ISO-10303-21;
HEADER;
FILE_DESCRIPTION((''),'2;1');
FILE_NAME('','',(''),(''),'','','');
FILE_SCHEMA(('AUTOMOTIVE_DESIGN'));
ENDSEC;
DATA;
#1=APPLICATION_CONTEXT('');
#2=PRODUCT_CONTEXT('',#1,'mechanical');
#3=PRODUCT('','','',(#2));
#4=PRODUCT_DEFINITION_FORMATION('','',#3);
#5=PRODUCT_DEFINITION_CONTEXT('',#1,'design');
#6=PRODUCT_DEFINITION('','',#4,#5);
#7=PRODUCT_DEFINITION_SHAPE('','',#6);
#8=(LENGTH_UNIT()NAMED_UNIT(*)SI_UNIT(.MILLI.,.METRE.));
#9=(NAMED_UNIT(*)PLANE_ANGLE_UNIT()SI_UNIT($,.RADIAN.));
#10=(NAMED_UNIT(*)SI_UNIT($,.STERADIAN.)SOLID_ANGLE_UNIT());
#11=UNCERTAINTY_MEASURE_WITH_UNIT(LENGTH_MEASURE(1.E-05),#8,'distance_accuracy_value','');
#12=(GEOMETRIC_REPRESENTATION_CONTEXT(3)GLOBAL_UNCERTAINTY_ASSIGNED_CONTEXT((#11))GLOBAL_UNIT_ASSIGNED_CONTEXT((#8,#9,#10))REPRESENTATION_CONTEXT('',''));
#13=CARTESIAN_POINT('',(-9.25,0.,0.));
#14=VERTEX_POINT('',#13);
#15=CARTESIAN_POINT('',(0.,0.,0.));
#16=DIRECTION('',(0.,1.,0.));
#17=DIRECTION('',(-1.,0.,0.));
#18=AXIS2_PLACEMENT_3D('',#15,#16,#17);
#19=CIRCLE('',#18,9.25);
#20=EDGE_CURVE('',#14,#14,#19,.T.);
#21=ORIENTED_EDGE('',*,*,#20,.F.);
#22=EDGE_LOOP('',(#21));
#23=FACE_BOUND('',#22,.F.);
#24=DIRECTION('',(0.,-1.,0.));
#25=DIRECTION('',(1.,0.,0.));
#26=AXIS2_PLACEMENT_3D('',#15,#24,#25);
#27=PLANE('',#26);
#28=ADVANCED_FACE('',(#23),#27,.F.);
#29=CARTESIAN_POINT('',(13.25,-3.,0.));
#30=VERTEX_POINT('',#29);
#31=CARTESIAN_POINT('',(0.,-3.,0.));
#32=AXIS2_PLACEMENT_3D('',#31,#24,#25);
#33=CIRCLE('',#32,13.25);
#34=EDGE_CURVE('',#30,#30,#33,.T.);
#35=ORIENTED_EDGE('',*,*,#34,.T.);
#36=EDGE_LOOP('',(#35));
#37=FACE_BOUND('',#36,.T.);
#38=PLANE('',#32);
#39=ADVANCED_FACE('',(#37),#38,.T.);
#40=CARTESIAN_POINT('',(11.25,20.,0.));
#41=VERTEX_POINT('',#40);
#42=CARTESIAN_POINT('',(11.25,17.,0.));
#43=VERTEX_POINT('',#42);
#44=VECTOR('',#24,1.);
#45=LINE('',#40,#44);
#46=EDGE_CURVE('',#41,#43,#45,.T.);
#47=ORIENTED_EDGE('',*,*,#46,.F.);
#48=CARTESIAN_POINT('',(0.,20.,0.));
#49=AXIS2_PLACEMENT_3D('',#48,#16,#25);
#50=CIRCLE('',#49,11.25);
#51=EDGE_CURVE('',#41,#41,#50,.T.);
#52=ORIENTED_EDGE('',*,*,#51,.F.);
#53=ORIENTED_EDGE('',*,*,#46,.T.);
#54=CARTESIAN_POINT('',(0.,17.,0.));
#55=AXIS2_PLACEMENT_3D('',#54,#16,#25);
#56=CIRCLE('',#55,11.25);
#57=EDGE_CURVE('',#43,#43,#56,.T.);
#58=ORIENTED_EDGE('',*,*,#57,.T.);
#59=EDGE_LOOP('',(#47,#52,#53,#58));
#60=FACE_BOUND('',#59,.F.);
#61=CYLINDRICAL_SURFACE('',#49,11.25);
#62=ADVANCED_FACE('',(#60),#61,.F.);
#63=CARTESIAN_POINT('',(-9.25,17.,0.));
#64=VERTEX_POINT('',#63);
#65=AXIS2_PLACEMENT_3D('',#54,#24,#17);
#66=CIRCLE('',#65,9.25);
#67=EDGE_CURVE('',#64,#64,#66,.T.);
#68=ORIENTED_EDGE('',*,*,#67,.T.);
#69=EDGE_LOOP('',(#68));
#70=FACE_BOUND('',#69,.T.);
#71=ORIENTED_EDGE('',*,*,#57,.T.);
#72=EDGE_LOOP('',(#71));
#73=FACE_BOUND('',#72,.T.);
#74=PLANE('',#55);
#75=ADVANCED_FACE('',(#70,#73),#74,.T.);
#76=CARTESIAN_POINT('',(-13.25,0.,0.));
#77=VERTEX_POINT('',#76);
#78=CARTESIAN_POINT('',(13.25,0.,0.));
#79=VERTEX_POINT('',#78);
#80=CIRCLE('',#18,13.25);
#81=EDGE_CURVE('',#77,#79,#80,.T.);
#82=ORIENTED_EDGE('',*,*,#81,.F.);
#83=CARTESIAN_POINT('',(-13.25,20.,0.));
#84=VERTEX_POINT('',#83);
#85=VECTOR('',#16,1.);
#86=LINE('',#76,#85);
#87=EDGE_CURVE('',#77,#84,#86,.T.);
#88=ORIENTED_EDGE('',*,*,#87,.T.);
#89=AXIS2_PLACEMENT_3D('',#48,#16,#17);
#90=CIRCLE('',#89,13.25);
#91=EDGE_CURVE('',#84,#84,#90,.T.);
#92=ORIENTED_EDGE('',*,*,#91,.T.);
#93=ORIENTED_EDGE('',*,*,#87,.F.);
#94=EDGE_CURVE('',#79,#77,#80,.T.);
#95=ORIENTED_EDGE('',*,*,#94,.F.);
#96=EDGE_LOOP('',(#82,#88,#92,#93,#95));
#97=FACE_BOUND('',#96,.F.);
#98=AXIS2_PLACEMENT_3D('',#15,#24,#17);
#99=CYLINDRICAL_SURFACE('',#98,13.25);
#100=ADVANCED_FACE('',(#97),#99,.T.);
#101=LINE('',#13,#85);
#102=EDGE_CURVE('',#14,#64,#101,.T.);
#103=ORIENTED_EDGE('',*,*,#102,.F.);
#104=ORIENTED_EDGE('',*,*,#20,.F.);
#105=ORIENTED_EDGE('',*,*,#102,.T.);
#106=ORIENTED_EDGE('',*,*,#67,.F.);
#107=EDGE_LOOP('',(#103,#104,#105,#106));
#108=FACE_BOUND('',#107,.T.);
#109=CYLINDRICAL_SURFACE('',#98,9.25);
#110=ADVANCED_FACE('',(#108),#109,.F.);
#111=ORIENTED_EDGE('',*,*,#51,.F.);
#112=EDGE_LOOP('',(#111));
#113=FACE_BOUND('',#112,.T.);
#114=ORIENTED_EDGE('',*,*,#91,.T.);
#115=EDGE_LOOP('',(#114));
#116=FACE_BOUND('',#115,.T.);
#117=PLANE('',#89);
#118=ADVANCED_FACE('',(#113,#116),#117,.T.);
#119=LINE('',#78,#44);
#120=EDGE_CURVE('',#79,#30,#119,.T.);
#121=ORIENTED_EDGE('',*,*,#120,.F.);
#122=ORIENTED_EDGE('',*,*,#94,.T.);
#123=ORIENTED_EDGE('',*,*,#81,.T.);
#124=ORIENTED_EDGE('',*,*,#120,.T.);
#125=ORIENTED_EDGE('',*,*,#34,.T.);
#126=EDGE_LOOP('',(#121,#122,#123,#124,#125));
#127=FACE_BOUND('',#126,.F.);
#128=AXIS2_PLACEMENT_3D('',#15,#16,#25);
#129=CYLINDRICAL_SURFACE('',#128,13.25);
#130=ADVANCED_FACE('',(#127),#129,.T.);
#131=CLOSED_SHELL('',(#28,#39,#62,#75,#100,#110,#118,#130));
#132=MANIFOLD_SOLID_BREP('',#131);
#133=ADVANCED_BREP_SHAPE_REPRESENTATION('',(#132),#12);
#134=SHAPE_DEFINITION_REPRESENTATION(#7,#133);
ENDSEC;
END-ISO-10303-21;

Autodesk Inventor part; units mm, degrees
ref_plane "YZ Plane" through (0, 0, 0) normal (1, 0, 0) x (0, 1, 0)
ref_plane "XZ Plane" through (0, 0, 0) normal (0, 1, 0) x (-1, 0, 0)
ref_plane "XY Plane" through (0, 0, 0) normal (0, 0, 1) x (1, 0, 0)
sketch "Sketch1" plane through (0, 0, 0) normal (0, 1, 0) x (-1, 0, 0)
  circle A0 centre (0, 0) radius 9.25
  circle A1 centre (0, 0) radius 13.25
  dimension "d0" = 18.5
  dimension "d1" = 4
extrude "Extrusion1" add sketch "Sketch1" along normal blind 20
sketch "Sketch4" plane through (0, 0, 0) normal (0, -1, 0) x (1, 0, 0)
  circle A0 centre (0, 0) radius 13.25 projected
  circle A1 centre (0, 0) radius 13.25
extrude "Extrusion2" add sketch "Sketch4" along normal blind 3
sketch "Sketch5" plane through (0, 20, 0) normal (0, 1, 0) x (1, 0, 0)
  circle A0 centre (0, 0) radius 9.25 projected
  circle A1 centre (0, 0) radius 11.25
  dimension "d6" = 2
extrude "Extrusion3" cut sketch "Sketch5" against normal blind 3
properties part number "springPusher"
